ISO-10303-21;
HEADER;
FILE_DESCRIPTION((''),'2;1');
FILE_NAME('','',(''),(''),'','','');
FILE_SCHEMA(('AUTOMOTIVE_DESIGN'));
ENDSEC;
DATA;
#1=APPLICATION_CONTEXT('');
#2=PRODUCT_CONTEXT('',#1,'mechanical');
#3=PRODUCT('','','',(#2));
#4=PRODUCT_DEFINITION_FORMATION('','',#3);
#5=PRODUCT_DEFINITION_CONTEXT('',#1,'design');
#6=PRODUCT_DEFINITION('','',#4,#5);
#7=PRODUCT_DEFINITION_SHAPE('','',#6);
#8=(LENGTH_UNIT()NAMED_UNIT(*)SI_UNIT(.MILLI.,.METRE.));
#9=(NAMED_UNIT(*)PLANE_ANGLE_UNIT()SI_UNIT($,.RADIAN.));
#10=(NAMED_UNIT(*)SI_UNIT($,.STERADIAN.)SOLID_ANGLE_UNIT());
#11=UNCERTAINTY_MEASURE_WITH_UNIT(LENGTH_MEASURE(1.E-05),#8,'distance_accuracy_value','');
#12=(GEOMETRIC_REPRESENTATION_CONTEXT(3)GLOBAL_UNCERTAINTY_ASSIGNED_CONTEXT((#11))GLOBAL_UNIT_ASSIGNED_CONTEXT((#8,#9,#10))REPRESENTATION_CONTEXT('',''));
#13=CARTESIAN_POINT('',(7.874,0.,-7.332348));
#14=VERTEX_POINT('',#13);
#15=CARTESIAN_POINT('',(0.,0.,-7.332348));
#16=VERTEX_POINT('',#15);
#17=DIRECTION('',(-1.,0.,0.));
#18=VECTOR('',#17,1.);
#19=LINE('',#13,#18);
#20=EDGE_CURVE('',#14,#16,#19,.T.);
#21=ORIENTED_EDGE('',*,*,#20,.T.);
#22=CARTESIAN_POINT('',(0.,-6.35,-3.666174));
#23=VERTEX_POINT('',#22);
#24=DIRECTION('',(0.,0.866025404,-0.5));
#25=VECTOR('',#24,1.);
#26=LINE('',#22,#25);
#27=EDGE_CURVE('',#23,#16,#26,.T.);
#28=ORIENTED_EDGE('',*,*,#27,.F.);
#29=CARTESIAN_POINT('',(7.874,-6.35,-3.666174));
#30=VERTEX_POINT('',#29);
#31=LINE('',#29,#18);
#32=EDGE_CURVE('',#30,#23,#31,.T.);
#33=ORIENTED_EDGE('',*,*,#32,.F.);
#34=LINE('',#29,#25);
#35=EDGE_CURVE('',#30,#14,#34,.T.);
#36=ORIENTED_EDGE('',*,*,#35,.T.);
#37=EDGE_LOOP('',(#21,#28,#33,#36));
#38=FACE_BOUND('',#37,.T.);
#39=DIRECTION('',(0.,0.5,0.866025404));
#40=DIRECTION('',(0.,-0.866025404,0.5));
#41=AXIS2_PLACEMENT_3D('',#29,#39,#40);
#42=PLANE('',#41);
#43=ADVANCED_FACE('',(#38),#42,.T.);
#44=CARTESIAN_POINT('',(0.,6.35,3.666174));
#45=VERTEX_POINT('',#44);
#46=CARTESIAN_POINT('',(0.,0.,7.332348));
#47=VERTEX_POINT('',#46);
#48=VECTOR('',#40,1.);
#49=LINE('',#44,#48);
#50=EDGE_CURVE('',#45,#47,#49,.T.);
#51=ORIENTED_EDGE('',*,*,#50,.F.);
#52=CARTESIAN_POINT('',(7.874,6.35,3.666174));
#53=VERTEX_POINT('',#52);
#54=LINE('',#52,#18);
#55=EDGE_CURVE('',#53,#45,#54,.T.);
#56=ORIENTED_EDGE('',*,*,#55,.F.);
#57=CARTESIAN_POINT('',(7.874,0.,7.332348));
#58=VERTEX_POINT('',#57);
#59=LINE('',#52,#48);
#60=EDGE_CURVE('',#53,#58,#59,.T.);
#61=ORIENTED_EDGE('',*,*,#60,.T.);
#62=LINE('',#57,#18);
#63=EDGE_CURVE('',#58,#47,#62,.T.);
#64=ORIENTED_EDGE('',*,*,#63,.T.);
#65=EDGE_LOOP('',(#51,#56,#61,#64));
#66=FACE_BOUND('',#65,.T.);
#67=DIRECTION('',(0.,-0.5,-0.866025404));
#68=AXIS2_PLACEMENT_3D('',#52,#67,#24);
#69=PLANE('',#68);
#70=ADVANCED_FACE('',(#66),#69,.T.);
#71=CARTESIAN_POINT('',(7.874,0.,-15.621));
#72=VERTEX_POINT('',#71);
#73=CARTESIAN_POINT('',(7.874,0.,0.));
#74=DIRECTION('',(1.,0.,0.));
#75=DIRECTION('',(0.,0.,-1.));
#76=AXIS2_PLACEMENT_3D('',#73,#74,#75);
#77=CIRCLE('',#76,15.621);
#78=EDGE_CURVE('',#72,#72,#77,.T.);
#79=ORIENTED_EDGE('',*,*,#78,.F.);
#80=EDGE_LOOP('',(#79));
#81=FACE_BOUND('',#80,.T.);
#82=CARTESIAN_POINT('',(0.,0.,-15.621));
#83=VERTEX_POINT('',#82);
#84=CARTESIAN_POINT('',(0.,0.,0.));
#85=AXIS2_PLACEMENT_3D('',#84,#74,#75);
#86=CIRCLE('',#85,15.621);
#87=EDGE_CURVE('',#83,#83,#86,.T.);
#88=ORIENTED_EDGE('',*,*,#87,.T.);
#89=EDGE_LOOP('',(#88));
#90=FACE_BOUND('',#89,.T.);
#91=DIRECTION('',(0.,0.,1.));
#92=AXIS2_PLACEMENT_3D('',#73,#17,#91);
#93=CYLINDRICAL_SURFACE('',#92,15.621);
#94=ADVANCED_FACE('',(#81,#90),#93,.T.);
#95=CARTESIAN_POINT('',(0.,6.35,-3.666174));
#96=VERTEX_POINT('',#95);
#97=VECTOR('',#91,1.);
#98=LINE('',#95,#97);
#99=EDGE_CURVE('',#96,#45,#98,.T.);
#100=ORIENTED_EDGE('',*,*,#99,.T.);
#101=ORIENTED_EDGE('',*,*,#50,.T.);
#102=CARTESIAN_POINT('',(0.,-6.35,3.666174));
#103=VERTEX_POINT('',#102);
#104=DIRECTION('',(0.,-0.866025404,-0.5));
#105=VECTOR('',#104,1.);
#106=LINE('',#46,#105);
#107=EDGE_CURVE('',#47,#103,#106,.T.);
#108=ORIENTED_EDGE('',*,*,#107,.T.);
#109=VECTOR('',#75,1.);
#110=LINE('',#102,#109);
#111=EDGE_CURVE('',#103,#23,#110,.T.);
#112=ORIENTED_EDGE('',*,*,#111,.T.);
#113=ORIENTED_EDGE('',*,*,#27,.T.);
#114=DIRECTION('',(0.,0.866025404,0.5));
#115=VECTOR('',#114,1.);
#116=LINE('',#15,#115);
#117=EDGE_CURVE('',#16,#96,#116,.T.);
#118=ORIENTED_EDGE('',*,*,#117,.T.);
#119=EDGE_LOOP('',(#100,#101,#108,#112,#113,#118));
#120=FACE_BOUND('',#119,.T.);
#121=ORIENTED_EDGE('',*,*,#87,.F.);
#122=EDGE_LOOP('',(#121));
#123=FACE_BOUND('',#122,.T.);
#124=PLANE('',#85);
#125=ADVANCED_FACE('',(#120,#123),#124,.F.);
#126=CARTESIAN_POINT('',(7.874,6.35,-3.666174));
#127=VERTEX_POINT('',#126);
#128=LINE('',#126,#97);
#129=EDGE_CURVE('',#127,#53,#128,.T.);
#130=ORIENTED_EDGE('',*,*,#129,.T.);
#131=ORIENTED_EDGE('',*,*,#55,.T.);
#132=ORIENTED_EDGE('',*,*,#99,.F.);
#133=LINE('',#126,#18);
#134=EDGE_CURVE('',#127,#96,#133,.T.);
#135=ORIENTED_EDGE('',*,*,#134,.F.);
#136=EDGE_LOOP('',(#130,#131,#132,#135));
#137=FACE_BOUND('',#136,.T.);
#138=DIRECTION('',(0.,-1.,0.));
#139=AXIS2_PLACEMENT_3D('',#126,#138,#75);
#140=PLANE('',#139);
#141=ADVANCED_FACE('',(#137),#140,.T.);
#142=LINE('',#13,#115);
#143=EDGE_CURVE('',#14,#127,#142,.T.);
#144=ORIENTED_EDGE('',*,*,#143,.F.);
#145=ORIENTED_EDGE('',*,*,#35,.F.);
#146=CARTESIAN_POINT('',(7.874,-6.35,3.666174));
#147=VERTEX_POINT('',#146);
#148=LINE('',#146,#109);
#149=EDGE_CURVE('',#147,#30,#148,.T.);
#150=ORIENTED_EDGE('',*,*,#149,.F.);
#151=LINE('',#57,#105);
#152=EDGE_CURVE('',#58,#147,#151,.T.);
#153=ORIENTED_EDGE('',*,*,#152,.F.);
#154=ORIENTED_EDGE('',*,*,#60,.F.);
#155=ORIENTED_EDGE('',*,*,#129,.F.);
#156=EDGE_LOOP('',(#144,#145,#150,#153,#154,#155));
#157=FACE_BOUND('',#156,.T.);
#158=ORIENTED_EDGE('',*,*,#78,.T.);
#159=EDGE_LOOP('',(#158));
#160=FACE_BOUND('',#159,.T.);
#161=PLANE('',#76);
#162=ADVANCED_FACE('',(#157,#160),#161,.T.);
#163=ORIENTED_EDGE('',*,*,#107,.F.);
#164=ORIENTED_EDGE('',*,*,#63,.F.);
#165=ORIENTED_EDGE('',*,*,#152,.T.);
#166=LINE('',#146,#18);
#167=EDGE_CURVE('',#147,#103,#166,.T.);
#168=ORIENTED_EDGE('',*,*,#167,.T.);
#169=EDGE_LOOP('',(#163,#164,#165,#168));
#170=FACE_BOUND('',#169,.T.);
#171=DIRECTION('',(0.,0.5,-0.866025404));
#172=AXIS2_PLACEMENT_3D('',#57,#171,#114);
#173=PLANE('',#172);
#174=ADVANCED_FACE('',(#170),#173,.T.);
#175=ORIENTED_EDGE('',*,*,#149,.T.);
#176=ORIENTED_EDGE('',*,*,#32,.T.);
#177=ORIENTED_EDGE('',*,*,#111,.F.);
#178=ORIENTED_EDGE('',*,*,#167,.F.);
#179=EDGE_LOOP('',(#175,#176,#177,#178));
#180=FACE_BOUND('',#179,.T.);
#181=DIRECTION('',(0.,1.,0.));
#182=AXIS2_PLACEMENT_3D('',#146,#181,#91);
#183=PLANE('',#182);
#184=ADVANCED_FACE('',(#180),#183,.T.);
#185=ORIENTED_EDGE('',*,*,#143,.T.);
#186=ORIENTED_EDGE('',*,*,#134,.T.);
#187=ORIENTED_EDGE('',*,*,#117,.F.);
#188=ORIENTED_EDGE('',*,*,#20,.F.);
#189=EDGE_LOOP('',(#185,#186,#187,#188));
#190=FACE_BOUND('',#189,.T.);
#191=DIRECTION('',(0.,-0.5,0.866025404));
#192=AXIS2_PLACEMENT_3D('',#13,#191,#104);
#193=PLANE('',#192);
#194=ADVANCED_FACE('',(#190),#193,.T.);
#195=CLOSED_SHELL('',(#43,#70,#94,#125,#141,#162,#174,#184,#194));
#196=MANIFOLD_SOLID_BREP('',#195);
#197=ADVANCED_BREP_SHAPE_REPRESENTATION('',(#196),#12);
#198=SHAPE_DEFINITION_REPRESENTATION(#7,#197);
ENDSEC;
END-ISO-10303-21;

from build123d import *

# Parameters (mm, degrees)
SKETCH1_R           = 15.621
BOSS_EXTRUDE1_DEPTH = 7.874


with BuildPart() as part:
    # Sketch1 → Boss-Extrude1 (new body)
    with BuildSketch(Plane(origin=(0, 0, 0), x_dir=(0, 0, -1), z_dir=(1, 0, 0))):
        Circle(SKETCH1_R)
        Polygon((3.666174209, 6.35), (-3.666174209, 6.35), (-7.332348419, 0), (-3.666174209, -6.35), (3.666174209, -6.35), (7.332348419, 0), align=None, mode=Mode.SUBTRACT)
    extrude(amount=BOSS_EXTRUDE1_DEPTH)


solid = part.part
